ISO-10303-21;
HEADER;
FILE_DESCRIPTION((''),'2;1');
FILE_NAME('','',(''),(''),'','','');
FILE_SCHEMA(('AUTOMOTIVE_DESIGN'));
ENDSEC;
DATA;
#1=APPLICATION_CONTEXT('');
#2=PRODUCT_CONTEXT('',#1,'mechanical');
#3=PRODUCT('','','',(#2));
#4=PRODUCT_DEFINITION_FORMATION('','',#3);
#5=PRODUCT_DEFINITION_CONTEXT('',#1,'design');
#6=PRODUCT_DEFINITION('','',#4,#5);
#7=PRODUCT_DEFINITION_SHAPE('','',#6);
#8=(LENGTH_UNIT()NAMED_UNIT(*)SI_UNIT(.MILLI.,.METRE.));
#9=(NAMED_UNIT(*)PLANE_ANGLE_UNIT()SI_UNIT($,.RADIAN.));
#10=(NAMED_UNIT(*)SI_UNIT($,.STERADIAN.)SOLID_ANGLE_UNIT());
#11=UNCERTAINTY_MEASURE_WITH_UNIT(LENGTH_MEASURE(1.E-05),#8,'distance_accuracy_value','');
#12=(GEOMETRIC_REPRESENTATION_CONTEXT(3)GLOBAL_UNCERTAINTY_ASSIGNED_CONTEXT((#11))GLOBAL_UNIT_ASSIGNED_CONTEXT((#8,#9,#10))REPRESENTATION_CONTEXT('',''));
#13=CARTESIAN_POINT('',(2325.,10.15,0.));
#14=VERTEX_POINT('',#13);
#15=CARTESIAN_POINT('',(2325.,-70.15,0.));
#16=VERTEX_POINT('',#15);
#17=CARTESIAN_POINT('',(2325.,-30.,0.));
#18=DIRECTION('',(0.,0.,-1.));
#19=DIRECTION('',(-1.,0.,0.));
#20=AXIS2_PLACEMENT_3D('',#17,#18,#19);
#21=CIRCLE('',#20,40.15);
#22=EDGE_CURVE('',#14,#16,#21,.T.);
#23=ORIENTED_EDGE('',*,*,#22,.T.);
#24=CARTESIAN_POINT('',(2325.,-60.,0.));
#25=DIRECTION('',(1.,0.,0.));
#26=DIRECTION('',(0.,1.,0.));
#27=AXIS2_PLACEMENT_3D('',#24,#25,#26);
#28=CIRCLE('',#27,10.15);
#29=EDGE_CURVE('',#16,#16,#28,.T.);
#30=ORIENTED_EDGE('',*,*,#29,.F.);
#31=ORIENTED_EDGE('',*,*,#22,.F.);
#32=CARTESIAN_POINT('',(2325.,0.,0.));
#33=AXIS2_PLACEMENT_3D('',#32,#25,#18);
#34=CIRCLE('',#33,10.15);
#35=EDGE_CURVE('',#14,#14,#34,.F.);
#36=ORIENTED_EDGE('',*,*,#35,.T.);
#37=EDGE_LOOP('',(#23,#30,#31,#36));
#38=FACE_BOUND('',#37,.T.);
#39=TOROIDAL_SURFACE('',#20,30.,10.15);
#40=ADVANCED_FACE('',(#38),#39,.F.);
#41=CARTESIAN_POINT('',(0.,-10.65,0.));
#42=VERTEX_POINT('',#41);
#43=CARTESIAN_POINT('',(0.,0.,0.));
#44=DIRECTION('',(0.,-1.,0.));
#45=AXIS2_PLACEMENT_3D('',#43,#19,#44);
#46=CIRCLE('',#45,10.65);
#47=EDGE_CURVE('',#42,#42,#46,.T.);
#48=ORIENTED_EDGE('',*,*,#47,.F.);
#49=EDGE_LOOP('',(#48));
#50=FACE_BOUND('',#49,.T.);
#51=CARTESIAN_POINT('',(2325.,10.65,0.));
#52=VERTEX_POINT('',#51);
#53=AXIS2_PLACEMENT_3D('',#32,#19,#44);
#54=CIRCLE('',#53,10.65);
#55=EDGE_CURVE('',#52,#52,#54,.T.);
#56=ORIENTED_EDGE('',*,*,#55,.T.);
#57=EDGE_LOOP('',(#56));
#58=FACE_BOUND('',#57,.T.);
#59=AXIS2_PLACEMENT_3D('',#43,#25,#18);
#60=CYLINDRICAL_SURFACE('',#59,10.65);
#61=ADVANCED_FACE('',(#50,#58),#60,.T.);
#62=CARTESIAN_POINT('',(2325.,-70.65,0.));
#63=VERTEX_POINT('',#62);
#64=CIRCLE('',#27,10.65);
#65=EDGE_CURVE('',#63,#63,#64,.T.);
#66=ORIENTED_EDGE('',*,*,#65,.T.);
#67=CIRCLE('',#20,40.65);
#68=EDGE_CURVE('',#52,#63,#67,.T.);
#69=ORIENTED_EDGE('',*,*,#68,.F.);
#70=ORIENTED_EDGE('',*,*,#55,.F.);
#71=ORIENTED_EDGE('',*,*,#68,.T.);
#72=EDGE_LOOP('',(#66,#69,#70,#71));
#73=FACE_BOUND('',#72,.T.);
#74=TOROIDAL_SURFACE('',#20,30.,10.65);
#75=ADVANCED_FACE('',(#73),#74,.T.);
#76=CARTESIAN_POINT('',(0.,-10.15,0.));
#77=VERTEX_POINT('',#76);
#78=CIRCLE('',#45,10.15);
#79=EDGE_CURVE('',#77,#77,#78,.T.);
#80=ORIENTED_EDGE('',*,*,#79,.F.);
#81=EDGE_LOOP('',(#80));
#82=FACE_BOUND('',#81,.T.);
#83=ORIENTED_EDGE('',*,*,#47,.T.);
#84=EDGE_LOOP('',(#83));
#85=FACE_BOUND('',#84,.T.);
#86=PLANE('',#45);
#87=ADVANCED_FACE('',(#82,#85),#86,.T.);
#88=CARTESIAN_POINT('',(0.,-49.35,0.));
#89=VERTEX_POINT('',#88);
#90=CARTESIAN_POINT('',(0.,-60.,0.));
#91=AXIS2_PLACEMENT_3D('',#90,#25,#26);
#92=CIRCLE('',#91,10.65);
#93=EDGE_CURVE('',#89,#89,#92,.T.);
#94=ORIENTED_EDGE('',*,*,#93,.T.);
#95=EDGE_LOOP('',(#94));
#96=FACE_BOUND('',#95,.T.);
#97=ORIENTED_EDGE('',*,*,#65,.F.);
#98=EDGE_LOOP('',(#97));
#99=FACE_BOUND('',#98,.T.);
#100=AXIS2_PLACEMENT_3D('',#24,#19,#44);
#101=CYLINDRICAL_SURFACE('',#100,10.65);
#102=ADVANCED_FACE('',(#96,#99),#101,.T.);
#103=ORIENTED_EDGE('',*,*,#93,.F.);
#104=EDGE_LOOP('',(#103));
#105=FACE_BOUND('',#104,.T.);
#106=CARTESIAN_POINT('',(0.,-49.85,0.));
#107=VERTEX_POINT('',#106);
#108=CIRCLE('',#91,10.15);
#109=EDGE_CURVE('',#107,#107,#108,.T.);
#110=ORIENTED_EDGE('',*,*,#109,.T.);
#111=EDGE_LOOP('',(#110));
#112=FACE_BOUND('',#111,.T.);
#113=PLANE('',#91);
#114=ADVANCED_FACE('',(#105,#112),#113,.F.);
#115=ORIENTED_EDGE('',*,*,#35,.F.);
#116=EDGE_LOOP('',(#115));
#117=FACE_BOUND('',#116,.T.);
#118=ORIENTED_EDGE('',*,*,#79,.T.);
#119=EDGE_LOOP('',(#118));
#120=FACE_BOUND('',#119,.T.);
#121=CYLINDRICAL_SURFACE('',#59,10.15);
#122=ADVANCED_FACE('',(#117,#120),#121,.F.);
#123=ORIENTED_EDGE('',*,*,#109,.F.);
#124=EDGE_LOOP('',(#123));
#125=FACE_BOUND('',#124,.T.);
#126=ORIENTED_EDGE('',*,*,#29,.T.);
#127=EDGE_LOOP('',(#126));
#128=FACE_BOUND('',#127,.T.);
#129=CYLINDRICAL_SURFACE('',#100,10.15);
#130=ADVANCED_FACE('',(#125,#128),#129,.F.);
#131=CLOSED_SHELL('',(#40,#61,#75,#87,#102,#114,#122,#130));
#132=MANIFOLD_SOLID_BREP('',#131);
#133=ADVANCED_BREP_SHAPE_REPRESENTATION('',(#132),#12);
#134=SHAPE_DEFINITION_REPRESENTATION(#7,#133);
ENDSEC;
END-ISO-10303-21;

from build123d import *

# Parameters (mm, degrees)
SWEEP_THIN1_PROFILE_R   = 10.65
SWEEP_THIN1_PROFILE_R_2 = 10.15


with BuildPart() as part:
    # Sweep-Thin1: sweep along a path in Sketch1
    with BuildLine(Plane.XY) as sweep_thin1_path:
        Line((0, 0), (2325, 0))
        ThreePointArc((2325, 0), (2355, -30), (2325, -60))
        Line((2325, -60), (0, -60))
    # Sweep-Thin1 profile (on start of the path) → Sweep-Thin1 (sweep)
    with BuildSketch(Plane(origin=(0, 0, 0), x_dir=(0, 0, 1), z_dir=(1, 0, 0))):
        Circle(SWEEP_THIN1_PROFILE_R)
        Circle(SWEEP_THIN1_PROFILE_R_2, mode=Mode.SUBTRACT)
    sweep(path=sweep_thin1_path.line)


solid = part.part
